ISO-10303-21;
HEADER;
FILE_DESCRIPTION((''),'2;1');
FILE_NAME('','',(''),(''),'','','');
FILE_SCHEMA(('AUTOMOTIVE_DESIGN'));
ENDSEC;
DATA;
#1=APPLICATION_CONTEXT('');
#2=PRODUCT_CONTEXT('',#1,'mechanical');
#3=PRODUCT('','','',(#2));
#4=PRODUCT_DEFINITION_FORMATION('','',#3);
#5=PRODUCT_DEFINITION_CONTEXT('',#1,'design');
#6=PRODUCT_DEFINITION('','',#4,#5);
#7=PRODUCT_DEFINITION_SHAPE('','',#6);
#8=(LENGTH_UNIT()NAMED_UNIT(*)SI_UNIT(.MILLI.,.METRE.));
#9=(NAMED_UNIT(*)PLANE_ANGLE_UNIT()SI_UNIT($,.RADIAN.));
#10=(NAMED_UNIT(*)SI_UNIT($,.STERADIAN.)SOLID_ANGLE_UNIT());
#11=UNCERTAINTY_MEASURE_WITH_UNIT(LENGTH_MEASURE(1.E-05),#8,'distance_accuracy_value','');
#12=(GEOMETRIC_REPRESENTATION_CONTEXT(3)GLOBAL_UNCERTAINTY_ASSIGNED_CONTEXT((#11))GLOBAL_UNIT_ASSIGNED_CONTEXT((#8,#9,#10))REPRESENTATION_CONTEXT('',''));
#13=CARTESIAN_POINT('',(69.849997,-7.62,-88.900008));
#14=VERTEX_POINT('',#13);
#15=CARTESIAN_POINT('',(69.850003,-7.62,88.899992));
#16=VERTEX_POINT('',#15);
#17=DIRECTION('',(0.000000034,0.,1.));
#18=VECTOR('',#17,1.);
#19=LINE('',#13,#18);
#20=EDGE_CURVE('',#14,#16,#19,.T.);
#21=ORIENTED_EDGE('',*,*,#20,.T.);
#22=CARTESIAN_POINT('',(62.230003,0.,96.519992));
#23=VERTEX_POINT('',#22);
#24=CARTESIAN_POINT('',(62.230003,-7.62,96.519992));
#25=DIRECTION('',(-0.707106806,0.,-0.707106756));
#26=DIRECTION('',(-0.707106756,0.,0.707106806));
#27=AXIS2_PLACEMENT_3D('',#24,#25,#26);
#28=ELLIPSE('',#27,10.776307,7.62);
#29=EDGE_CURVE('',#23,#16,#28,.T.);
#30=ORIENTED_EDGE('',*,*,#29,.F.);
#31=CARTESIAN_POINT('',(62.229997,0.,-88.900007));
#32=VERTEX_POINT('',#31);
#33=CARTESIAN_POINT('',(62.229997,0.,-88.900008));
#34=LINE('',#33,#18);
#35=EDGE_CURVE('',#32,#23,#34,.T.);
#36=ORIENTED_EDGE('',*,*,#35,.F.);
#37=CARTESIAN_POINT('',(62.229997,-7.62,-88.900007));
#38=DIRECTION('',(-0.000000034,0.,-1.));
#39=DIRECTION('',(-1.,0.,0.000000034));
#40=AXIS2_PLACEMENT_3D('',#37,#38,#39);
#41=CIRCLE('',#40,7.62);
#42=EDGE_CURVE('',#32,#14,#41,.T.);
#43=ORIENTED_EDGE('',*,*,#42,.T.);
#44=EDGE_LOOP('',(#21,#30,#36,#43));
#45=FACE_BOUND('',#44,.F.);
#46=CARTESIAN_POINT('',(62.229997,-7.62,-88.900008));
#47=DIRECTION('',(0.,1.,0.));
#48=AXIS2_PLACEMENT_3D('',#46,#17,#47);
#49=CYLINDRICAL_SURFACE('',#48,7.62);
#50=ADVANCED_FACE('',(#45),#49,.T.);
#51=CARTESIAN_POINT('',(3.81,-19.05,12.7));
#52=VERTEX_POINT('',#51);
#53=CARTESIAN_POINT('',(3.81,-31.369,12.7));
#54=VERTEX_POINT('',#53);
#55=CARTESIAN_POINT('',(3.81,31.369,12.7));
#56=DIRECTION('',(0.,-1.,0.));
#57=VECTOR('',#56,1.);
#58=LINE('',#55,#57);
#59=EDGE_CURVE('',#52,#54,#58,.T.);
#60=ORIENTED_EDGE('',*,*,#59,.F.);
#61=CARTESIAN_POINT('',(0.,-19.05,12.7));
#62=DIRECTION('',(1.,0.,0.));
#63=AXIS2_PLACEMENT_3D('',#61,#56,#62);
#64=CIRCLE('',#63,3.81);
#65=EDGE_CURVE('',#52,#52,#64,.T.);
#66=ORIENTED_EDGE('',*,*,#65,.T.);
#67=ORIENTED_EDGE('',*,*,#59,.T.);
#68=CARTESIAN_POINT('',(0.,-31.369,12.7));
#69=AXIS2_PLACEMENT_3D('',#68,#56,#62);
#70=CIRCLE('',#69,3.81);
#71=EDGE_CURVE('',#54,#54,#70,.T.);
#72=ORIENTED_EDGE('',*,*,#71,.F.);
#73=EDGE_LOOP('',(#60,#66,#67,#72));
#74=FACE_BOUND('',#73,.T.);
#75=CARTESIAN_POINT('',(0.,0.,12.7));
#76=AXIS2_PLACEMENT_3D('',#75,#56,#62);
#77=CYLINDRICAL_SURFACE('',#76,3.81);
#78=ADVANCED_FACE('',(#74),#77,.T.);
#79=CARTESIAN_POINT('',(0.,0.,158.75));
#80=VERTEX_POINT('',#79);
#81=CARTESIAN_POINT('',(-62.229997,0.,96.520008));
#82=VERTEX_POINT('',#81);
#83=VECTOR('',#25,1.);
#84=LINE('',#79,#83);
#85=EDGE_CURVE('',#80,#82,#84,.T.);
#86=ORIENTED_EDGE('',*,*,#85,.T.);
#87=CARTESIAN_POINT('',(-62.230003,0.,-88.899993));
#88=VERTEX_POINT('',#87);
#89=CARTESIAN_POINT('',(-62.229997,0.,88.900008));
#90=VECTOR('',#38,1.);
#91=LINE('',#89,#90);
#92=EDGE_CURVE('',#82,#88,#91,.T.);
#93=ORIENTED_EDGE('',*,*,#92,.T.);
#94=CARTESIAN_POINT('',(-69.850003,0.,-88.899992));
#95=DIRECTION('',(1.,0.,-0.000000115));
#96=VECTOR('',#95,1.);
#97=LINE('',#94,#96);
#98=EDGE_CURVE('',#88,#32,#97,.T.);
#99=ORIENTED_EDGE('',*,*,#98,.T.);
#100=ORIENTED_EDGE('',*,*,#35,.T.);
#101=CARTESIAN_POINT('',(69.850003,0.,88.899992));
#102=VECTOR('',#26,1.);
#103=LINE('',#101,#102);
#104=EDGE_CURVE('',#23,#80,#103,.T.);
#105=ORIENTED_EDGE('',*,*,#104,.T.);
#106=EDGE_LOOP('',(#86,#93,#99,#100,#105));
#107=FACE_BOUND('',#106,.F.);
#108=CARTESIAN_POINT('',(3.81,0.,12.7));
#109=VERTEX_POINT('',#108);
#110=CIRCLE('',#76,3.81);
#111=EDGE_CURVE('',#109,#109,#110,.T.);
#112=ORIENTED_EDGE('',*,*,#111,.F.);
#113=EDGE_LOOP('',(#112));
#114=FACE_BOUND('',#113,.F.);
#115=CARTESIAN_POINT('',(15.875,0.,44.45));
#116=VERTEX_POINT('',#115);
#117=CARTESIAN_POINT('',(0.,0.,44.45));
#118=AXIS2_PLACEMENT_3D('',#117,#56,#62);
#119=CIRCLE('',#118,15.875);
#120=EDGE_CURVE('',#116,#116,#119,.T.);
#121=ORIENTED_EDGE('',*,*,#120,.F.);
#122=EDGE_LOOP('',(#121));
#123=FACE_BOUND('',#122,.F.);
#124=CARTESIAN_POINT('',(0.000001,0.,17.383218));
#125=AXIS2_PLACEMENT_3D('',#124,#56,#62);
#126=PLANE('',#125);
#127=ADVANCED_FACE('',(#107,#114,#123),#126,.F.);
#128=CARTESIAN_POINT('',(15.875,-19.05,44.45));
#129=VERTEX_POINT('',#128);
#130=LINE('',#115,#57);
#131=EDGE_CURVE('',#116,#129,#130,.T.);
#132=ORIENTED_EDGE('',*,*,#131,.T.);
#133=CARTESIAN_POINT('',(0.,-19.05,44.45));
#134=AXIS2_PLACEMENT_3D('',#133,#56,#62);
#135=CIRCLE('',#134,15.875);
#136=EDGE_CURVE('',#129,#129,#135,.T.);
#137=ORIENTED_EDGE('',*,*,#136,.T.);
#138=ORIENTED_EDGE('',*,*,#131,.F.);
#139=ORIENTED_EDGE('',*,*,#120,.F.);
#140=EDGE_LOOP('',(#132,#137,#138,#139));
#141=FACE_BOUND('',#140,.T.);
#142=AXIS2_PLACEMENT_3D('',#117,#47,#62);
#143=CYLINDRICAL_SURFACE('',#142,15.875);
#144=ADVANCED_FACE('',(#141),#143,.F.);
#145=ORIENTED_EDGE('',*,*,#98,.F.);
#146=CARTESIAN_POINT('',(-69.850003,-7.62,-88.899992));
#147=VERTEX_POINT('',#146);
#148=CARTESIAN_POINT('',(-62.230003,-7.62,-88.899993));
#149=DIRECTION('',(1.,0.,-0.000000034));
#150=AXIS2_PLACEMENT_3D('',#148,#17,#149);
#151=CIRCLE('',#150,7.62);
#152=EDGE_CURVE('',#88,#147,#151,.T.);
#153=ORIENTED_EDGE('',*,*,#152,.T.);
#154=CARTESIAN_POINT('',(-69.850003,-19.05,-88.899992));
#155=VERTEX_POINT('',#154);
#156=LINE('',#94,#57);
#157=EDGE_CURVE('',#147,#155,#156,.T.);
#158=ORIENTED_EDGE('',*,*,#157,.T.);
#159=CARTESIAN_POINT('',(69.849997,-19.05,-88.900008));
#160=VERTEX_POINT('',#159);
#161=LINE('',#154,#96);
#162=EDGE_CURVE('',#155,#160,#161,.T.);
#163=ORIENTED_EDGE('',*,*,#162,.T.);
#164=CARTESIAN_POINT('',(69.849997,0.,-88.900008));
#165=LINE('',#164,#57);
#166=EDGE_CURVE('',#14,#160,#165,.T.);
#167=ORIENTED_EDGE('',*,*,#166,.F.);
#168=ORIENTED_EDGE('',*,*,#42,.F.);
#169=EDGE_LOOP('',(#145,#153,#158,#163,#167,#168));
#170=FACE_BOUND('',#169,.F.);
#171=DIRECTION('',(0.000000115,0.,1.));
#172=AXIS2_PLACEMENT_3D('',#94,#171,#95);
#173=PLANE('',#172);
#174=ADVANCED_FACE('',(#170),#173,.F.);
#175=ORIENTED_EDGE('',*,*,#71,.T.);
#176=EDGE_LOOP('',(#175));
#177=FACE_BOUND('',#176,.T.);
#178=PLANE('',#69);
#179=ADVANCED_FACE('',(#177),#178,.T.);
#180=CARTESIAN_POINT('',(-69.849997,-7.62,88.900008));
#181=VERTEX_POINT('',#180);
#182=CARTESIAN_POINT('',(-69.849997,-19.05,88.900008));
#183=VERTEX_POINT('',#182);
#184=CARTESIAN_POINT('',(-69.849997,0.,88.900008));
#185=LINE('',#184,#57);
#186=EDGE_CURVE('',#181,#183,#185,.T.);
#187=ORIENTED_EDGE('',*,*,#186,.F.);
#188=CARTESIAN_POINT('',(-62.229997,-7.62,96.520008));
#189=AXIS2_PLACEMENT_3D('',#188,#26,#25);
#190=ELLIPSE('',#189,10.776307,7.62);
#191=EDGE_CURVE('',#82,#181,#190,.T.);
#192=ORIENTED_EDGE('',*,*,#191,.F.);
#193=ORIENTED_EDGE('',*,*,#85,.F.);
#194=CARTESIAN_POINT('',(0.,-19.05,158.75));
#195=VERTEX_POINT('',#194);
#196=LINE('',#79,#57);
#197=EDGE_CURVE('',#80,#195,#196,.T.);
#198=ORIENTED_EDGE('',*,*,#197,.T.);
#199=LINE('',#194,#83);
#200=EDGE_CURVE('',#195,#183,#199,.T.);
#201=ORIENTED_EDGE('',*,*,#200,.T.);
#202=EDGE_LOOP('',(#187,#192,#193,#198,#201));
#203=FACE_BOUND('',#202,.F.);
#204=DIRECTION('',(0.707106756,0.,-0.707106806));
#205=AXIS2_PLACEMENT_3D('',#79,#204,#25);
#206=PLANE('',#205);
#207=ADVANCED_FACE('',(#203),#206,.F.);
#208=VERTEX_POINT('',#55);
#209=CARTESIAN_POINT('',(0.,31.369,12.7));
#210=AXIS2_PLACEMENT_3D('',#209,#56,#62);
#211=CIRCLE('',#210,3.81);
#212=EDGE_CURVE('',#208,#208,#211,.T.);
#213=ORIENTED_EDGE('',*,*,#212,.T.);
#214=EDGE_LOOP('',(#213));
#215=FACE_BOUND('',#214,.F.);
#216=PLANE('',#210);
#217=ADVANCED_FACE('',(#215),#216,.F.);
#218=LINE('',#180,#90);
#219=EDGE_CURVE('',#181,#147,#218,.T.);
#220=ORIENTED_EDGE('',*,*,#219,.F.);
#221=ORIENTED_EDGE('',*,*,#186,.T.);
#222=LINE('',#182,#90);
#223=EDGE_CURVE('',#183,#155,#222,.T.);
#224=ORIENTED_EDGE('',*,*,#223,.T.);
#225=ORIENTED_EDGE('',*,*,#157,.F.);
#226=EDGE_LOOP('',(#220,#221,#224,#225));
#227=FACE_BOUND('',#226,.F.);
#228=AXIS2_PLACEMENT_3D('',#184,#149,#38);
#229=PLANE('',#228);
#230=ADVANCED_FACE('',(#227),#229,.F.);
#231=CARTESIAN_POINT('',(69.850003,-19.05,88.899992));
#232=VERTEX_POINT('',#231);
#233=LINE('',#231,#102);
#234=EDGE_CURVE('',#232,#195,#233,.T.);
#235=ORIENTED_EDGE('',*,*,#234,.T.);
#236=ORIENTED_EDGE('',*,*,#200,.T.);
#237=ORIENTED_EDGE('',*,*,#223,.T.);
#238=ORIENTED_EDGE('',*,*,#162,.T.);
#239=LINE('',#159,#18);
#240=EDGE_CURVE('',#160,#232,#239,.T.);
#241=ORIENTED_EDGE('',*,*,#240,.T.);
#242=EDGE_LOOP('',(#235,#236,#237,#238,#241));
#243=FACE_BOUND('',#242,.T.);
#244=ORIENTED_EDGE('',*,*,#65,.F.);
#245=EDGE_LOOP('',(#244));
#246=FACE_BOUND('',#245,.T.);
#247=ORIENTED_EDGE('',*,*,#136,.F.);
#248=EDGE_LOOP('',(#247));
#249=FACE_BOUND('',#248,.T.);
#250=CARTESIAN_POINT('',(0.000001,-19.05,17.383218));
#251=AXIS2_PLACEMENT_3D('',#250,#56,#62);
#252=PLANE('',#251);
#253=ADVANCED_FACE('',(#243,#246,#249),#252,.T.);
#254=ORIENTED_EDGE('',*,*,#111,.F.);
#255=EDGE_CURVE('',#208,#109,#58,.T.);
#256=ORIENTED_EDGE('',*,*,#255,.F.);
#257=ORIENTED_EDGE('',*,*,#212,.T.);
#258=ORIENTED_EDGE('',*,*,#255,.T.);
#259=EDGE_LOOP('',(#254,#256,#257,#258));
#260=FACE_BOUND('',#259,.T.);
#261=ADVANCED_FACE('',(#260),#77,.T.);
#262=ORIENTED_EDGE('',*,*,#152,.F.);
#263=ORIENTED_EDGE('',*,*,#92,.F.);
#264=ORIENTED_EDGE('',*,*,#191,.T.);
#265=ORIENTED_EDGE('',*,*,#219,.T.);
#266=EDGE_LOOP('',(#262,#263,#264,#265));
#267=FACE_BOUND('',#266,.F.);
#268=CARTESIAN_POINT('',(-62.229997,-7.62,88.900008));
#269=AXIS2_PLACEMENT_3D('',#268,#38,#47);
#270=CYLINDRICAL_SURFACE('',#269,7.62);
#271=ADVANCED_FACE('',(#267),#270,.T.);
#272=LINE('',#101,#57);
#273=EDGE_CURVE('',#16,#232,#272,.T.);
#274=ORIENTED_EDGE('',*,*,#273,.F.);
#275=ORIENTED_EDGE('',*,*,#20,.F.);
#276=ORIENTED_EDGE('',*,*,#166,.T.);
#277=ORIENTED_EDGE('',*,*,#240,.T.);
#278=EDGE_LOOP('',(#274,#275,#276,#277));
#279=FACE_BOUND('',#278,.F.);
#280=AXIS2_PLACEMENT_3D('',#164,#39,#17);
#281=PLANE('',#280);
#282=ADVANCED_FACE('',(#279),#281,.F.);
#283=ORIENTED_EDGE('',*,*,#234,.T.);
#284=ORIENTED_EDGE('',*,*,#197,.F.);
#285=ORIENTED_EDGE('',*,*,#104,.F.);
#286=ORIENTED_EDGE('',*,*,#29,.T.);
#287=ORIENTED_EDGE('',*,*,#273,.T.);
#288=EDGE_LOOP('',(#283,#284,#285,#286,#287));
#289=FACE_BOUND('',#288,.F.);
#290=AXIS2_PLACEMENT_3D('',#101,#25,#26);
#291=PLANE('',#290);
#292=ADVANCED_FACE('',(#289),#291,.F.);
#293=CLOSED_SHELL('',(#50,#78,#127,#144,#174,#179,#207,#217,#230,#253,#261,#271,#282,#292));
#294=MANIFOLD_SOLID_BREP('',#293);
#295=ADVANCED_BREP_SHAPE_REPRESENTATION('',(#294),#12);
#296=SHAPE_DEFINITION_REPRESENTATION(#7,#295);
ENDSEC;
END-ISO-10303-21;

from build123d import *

# Parameters (mm, degrees)
F0_R     = 3.81
F0_R_2   = 15.875
F1_DEPTH = 19.05
F2_DEPTH = 31.369
F3_R     = 7.62
F4_R     = 7.62


with BuildPart() as f1:
    # F0 (on Front) → F1 (new body)
    with BuildSketch(Plane.XZ):
        Polygon((-69.850003, -88.899992), (69.849997, -88.900008), (69.850003, 88.899992), (0, 158.75), (-69.849997, 88.900008), align=None)
        with Locations((0, 12.7)):
            Circle(F0_R, mode=Mode.SUBTRACT)
        with Locations((0, 44.45)):
            Circle(F0_R_2, mode=Mode.SUBTRACT)
    extrude(amount=F1_DEPTH)

    # F0 (on Front) → F2 (join, symmetric)
    with BuildSketch(Plane.XZ):
        with Locations((0, 12.7)):
            Circle(F0_R)
    extrude(amount=F2_DEPTH, both=True)

    # F3
    f3_edges = [f1.edges().sort_by_distance(p)[0] for p in [
        (69.85, 0, -8e-06),
    ]]
    fillet(f3_edges, radius=F3_R)

    # F4
    f4_edges = [f1.edges().sort_by_distance(p)[0] for p in [
        (-69.85, 0, 8e-06),
    ]]
    fillet(f4_edges, radius=F4_R)


solid = f1.part
